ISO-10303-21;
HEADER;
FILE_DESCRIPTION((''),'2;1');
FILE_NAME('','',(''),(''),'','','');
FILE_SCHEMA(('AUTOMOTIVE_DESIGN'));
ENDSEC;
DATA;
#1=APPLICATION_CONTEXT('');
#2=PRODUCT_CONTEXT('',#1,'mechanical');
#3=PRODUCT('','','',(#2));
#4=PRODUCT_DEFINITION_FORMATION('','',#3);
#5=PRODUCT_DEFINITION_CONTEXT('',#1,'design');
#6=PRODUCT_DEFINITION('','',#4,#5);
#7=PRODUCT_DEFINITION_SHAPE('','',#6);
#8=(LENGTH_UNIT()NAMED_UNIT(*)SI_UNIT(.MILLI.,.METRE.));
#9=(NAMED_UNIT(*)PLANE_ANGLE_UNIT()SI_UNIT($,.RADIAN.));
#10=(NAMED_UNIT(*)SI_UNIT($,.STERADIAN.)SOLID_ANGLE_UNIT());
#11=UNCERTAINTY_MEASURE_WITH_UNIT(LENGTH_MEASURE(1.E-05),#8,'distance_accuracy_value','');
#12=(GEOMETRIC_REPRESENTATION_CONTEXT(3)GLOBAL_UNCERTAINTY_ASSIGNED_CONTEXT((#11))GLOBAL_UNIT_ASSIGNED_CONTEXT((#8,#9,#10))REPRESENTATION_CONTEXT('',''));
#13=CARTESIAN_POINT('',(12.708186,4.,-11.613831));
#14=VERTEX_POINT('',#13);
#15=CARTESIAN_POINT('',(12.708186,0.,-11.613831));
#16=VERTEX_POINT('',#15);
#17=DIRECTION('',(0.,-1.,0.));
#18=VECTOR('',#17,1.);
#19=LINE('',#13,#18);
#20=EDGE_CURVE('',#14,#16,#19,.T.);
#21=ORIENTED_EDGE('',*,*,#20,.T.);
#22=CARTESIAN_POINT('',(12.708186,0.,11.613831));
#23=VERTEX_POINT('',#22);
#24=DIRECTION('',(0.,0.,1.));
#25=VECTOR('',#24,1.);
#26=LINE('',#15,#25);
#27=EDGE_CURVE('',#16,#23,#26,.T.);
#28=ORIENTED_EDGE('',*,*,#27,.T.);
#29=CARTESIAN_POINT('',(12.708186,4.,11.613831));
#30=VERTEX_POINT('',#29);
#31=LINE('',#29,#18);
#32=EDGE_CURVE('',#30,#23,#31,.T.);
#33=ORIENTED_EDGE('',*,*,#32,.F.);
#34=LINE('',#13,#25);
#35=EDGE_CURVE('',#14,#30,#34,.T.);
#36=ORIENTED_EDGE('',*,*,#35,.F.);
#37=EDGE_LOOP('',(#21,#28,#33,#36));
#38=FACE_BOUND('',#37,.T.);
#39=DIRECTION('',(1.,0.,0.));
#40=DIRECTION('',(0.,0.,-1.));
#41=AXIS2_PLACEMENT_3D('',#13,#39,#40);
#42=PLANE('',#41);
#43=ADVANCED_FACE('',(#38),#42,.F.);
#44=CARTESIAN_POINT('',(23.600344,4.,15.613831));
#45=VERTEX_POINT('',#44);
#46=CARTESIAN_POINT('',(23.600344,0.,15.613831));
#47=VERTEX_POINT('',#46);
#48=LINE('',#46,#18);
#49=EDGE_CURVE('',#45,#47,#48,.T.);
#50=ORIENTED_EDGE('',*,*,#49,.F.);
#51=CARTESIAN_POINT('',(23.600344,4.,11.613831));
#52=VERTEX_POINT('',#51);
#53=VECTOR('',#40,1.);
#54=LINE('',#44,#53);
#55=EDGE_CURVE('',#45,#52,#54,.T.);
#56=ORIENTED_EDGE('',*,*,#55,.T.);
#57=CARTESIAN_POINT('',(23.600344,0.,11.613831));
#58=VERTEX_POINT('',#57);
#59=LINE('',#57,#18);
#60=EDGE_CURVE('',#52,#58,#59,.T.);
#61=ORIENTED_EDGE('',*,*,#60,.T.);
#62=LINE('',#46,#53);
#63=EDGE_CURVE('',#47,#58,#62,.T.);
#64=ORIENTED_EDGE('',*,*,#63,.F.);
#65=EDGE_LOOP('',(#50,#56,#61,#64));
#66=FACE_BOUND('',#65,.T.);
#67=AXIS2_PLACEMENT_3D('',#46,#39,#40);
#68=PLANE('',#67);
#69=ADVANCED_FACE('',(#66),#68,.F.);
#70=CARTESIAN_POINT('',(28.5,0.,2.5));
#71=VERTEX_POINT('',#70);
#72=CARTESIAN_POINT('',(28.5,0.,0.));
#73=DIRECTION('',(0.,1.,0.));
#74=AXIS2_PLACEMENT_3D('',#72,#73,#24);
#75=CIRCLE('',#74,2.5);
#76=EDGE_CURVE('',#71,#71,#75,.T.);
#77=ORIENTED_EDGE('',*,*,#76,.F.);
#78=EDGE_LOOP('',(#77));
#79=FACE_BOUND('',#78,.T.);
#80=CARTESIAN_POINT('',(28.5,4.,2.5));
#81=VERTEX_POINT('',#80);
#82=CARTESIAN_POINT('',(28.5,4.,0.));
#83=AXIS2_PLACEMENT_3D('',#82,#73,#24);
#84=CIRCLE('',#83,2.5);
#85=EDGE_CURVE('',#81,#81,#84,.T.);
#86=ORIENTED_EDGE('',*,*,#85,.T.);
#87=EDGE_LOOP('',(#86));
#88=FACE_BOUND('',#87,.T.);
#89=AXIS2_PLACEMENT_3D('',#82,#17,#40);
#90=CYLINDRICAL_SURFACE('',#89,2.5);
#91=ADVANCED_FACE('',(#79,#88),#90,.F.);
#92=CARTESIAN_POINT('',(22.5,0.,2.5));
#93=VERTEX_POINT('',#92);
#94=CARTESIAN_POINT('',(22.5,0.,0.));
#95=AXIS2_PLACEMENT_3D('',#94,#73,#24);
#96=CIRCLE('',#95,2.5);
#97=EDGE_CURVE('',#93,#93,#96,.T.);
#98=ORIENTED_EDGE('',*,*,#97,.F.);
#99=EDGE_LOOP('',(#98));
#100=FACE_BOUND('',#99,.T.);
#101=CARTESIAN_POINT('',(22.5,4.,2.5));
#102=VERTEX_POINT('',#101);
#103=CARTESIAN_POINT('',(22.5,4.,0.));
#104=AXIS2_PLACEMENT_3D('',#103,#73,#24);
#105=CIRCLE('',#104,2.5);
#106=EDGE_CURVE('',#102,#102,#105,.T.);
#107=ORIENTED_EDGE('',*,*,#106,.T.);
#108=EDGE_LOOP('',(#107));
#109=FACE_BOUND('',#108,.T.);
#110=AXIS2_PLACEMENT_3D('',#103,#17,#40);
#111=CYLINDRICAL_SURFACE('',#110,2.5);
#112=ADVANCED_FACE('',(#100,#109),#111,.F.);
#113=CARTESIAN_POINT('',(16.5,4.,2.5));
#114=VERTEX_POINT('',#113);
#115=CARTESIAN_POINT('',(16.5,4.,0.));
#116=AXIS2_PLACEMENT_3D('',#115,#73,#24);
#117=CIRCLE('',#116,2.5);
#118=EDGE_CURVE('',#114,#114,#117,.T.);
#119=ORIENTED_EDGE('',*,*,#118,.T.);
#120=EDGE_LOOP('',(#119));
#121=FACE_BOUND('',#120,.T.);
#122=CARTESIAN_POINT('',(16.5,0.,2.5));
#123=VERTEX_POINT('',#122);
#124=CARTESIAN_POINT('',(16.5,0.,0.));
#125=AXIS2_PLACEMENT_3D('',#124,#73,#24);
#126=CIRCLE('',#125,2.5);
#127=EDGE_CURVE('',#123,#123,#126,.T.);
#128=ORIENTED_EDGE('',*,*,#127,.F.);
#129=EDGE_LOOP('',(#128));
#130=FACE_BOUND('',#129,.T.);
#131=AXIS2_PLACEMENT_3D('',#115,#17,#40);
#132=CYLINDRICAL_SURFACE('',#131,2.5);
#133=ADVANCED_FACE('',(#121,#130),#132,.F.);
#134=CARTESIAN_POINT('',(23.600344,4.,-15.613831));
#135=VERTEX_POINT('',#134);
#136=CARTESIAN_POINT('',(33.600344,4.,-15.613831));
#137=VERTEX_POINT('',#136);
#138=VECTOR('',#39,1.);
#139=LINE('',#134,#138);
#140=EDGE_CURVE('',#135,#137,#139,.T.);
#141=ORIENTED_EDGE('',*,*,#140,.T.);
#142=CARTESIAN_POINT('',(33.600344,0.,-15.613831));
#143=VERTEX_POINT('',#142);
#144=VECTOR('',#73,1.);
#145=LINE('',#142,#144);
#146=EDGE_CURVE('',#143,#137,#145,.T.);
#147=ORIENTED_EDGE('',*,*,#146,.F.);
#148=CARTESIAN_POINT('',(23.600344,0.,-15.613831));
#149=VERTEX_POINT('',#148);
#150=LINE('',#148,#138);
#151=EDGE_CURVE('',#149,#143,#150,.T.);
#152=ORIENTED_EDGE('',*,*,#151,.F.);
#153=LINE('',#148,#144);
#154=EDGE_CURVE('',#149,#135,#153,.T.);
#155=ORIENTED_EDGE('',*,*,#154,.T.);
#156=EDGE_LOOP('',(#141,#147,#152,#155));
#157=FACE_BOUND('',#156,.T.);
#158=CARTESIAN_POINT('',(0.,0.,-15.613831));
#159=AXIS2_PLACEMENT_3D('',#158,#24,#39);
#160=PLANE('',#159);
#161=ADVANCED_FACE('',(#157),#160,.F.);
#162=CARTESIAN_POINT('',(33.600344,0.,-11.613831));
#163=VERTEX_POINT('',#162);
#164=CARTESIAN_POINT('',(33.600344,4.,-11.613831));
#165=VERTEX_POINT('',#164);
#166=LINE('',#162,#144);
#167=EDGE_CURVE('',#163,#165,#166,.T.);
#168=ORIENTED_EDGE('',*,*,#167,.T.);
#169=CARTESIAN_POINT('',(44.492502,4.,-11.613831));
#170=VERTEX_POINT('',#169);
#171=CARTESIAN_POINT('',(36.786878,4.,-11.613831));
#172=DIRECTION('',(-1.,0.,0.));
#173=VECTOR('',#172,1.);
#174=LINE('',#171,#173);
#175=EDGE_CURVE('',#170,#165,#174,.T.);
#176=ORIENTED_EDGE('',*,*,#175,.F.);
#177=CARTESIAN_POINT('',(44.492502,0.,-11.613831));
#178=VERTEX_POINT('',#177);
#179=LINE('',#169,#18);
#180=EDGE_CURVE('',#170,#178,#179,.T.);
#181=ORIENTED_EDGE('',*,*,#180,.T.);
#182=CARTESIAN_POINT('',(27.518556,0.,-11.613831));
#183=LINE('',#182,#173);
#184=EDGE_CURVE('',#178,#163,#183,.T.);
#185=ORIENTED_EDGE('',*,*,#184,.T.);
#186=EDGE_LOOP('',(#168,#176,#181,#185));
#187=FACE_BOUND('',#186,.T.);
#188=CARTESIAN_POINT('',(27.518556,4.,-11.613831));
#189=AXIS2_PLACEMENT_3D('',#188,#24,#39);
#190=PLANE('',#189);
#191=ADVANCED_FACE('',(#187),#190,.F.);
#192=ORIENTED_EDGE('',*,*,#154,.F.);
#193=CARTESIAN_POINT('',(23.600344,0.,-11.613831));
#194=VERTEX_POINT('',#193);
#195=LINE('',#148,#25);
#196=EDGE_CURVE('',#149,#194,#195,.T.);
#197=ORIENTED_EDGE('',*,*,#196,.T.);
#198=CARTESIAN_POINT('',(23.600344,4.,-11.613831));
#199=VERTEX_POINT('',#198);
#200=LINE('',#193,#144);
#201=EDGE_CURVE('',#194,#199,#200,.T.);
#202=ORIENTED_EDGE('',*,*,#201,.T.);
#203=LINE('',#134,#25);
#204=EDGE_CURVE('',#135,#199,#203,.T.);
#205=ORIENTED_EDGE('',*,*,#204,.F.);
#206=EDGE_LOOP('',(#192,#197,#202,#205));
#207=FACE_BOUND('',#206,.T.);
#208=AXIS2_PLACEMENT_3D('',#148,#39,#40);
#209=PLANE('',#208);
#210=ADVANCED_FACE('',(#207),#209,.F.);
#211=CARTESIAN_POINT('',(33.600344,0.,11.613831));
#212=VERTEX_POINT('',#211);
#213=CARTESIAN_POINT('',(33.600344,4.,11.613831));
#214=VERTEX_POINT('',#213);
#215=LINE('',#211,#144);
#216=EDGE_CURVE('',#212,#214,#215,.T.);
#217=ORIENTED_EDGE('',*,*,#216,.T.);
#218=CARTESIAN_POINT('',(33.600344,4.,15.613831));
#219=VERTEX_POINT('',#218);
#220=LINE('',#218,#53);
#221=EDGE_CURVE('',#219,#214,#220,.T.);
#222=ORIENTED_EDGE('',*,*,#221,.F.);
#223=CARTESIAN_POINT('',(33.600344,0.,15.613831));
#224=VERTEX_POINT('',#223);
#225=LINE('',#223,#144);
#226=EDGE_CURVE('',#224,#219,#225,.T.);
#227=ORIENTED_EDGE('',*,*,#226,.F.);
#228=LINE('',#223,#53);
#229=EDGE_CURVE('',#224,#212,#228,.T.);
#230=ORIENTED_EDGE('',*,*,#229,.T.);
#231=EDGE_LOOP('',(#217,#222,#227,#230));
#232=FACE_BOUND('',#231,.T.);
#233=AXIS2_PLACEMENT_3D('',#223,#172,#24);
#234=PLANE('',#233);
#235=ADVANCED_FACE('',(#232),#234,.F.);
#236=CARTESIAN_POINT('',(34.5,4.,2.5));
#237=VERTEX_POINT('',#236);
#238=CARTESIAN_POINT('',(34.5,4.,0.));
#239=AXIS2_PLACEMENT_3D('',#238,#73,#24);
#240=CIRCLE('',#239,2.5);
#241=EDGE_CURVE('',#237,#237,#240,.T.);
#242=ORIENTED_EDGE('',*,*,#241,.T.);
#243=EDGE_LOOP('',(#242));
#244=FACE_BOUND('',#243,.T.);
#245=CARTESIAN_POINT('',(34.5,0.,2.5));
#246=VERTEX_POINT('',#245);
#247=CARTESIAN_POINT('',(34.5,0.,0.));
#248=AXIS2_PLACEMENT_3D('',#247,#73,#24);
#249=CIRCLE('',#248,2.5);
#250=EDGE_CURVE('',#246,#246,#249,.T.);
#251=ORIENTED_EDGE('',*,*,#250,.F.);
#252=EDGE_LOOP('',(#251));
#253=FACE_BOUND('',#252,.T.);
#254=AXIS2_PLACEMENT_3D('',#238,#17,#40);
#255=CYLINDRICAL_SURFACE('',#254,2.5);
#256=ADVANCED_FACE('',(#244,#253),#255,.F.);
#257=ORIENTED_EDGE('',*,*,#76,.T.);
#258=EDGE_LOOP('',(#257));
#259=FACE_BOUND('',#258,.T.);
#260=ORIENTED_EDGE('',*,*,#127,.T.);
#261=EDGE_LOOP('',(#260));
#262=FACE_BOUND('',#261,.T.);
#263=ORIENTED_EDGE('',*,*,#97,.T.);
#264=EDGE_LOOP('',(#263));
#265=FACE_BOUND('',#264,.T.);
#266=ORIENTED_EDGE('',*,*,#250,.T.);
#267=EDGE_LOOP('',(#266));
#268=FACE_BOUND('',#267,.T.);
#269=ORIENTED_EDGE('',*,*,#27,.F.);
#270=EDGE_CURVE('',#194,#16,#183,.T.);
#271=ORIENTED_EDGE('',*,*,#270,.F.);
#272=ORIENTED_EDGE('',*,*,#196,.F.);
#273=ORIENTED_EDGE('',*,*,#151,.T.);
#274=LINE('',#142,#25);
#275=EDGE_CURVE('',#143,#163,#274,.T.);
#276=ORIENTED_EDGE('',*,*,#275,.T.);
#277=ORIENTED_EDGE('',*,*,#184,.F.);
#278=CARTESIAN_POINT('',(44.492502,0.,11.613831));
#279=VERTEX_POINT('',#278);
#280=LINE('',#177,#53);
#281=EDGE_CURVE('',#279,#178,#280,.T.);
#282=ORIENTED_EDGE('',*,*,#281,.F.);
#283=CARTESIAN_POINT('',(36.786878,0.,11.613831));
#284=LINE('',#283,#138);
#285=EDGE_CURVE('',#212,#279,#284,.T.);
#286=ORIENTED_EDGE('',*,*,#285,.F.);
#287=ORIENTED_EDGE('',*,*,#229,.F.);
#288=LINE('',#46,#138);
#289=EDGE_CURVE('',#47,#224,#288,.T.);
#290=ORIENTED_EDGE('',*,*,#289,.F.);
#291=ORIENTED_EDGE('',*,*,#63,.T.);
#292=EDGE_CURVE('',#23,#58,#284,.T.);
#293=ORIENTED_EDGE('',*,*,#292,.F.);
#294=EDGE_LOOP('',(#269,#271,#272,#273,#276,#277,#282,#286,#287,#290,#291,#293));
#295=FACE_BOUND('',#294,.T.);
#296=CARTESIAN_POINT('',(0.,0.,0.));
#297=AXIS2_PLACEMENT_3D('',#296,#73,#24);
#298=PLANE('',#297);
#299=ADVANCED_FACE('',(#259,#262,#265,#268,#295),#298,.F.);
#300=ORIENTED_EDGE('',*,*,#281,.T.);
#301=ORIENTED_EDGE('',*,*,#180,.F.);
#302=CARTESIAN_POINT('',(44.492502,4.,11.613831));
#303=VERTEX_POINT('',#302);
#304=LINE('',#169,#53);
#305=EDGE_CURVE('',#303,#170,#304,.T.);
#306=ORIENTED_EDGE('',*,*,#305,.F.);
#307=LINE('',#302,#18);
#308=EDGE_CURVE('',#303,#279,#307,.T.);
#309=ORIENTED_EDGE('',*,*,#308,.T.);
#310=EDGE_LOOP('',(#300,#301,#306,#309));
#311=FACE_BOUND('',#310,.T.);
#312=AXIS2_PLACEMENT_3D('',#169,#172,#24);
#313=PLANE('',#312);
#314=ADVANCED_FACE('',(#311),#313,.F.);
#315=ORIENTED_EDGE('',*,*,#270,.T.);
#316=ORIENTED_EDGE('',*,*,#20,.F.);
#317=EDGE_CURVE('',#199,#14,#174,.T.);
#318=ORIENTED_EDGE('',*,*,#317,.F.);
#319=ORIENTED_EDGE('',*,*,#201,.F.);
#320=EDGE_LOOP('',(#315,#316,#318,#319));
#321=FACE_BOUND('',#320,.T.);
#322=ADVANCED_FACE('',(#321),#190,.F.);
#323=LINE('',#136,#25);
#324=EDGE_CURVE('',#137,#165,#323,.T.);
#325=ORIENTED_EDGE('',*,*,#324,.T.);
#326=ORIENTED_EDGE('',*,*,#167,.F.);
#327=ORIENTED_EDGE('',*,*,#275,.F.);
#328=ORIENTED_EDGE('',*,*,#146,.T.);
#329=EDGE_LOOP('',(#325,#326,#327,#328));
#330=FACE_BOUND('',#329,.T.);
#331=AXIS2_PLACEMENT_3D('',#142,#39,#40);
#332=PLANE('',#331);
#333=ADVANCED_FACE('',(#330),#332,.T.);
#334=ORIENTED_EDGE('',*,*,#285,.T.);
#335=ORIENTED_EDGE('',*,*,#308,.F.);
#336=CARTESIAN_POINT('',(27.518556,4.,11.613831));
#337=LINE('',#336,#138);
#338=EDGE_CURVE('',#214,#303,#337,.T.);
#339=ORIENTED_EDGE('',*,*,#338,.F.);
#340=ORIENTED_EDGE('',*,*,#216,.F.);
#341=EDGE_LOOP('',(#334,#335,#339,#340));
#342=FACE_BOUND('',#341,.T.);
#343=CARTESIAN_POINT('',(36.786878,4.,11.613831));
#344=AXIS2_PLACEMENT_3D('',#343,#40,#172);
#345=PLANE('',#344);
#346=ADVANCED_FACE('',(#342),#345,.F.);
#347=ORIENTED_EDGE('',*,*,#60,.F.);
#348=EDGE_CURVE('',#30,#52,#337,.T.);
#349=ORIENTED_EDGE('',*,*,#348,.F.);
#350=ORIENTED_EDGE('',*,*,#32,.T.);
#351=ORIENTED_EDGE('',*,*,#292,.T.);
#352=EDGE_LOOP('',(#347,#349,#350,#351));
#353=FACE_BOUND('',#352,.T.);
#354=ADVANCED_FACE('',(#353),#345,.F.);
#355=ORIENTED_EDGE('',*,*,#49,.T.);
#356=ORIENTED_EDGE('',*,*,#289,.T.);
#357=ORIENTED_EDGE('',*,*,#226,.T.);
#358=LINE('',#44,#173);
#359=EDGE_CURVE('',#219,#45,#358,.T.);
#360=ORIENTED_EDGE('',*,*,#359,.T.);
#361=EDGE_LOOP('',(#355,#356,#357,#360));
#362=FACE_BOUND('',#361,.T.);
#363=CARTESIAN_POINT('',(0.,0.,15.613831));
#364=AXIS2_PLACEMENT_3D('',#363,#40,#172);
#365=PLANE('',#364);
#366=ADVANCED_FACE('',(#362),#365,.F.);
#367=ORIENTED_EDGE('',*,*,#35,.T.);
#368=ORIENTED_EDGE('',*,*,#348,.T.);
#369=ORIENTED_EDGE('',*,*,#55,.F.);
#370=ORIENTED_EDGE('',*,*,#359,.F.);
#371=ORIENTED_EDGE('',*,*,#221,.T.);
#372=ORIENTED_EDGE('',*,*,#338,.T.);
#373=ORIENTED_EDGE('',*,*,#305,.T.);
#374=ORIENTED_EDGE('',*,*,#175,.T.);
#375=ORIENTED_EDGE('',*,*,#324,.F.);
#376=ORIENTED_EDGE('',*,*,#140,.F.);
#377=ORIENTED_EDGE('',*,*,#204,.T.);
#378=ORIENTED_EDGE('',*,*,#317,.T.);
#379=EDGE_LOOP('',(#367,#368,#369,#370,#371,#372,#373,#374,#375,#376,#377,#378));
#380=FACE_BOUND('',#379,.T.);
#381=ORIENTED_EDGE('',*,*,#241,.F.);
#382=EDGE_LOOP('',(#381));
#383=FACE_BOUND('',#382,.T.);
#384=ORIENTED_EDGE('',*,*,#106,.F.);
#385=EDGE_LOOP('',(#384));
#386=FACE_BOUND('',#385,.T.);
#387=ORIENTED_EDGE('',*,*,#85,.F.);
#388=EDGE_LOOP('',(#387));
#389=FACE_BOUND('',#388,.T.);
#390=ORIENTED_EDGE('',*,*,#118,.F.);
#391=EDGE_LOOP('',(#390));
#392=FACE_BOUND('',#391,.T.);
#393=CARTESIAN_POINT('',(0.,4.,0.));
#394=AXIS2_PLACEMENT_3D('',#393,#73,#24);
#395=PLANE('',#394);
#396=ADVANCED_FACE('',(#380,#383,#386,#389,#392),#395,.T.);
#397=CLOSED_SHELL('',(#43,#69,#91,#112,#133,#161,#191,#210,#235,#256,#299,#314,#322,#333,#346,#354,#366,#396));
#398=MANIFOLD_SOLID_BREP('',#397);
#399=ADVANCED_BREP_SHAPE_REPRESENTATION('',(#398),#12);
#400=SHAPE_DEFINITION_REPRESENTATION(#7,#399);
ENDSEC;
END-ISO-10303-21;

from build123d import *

# Parameters (mm, degrees)
SKETCH1_R           = 2.5
BOSS_EXTRUDE2_DEPTH = 4
SKETCH14_W          = 10
SKETCH14_H          = 4
BOSS_EXTRUDE5_DEPTH = 4
SKETCH15_W          = 10
SKETCH15_H          = 4
BOSS_EXTRUDE6_DEPTH = 4


with BuildPart() as part:
    # Sketch1 → Boss-Extrude2 (new body)
    with BuildSketch(Plane(origin=(0, 0, 0), x_dir=(1, 0, 0), z_dir=(0, 1, 0))):
        Polygon((36.786877756, 11.613831083), (44.492502068, 11.613831083), (44.492502068, -11.613831083), (36.786877756, -11.613831083), (27.518556454, -11.613831083), (12.70818574, -11.613831083), (12.70818574, 11.613831083), (27.518556454, 11.613831083), align=None)
        with Locations((16.5, 0)):
            Circle(SKETCH1_R, mode=Mode.SUBTRACT)
        with Locations((22.5, 0)):
            Circle(SKETCH1_R, mode=Mode.SUBTRACT)
        with Locations((28.5, 0)):
            Circle(SKETCH1_R, mode=Mode.SUBTRACT)
        with Locations((34.5, 0)):
            Circle(SKETCH1_R, mode=Mode.SUBTRACT)
    extrude(amount=BOSS_EXTRUDE2_DEPTH)

    # Sketch14 → Boss-Extrude5 (add)
    with BuildSketch(Plane.XY.offset(11.613831083)):
        with Locations((28.600343904, 2)):
            Rectangle(SKETCH14_W, SKETCH14_H)
    extrude(amount=BOSS_EXTRUDE5_DEPTH)

    # Sketch15 → Boss-Extrude6 (add)
    with BuildSketch(Plane(origin=(0, 0, -11.613831083), x_dir=(-1, 0, 0), z_dir=(0, 0, -1))):
        with Locations((-28.600343904, 2)):
            Rectangle(SKETCH15_W, SKETCH15_H)
    extrude(amount=BOSS_EXTRUDE6_DEPTH)


solid = part.part
